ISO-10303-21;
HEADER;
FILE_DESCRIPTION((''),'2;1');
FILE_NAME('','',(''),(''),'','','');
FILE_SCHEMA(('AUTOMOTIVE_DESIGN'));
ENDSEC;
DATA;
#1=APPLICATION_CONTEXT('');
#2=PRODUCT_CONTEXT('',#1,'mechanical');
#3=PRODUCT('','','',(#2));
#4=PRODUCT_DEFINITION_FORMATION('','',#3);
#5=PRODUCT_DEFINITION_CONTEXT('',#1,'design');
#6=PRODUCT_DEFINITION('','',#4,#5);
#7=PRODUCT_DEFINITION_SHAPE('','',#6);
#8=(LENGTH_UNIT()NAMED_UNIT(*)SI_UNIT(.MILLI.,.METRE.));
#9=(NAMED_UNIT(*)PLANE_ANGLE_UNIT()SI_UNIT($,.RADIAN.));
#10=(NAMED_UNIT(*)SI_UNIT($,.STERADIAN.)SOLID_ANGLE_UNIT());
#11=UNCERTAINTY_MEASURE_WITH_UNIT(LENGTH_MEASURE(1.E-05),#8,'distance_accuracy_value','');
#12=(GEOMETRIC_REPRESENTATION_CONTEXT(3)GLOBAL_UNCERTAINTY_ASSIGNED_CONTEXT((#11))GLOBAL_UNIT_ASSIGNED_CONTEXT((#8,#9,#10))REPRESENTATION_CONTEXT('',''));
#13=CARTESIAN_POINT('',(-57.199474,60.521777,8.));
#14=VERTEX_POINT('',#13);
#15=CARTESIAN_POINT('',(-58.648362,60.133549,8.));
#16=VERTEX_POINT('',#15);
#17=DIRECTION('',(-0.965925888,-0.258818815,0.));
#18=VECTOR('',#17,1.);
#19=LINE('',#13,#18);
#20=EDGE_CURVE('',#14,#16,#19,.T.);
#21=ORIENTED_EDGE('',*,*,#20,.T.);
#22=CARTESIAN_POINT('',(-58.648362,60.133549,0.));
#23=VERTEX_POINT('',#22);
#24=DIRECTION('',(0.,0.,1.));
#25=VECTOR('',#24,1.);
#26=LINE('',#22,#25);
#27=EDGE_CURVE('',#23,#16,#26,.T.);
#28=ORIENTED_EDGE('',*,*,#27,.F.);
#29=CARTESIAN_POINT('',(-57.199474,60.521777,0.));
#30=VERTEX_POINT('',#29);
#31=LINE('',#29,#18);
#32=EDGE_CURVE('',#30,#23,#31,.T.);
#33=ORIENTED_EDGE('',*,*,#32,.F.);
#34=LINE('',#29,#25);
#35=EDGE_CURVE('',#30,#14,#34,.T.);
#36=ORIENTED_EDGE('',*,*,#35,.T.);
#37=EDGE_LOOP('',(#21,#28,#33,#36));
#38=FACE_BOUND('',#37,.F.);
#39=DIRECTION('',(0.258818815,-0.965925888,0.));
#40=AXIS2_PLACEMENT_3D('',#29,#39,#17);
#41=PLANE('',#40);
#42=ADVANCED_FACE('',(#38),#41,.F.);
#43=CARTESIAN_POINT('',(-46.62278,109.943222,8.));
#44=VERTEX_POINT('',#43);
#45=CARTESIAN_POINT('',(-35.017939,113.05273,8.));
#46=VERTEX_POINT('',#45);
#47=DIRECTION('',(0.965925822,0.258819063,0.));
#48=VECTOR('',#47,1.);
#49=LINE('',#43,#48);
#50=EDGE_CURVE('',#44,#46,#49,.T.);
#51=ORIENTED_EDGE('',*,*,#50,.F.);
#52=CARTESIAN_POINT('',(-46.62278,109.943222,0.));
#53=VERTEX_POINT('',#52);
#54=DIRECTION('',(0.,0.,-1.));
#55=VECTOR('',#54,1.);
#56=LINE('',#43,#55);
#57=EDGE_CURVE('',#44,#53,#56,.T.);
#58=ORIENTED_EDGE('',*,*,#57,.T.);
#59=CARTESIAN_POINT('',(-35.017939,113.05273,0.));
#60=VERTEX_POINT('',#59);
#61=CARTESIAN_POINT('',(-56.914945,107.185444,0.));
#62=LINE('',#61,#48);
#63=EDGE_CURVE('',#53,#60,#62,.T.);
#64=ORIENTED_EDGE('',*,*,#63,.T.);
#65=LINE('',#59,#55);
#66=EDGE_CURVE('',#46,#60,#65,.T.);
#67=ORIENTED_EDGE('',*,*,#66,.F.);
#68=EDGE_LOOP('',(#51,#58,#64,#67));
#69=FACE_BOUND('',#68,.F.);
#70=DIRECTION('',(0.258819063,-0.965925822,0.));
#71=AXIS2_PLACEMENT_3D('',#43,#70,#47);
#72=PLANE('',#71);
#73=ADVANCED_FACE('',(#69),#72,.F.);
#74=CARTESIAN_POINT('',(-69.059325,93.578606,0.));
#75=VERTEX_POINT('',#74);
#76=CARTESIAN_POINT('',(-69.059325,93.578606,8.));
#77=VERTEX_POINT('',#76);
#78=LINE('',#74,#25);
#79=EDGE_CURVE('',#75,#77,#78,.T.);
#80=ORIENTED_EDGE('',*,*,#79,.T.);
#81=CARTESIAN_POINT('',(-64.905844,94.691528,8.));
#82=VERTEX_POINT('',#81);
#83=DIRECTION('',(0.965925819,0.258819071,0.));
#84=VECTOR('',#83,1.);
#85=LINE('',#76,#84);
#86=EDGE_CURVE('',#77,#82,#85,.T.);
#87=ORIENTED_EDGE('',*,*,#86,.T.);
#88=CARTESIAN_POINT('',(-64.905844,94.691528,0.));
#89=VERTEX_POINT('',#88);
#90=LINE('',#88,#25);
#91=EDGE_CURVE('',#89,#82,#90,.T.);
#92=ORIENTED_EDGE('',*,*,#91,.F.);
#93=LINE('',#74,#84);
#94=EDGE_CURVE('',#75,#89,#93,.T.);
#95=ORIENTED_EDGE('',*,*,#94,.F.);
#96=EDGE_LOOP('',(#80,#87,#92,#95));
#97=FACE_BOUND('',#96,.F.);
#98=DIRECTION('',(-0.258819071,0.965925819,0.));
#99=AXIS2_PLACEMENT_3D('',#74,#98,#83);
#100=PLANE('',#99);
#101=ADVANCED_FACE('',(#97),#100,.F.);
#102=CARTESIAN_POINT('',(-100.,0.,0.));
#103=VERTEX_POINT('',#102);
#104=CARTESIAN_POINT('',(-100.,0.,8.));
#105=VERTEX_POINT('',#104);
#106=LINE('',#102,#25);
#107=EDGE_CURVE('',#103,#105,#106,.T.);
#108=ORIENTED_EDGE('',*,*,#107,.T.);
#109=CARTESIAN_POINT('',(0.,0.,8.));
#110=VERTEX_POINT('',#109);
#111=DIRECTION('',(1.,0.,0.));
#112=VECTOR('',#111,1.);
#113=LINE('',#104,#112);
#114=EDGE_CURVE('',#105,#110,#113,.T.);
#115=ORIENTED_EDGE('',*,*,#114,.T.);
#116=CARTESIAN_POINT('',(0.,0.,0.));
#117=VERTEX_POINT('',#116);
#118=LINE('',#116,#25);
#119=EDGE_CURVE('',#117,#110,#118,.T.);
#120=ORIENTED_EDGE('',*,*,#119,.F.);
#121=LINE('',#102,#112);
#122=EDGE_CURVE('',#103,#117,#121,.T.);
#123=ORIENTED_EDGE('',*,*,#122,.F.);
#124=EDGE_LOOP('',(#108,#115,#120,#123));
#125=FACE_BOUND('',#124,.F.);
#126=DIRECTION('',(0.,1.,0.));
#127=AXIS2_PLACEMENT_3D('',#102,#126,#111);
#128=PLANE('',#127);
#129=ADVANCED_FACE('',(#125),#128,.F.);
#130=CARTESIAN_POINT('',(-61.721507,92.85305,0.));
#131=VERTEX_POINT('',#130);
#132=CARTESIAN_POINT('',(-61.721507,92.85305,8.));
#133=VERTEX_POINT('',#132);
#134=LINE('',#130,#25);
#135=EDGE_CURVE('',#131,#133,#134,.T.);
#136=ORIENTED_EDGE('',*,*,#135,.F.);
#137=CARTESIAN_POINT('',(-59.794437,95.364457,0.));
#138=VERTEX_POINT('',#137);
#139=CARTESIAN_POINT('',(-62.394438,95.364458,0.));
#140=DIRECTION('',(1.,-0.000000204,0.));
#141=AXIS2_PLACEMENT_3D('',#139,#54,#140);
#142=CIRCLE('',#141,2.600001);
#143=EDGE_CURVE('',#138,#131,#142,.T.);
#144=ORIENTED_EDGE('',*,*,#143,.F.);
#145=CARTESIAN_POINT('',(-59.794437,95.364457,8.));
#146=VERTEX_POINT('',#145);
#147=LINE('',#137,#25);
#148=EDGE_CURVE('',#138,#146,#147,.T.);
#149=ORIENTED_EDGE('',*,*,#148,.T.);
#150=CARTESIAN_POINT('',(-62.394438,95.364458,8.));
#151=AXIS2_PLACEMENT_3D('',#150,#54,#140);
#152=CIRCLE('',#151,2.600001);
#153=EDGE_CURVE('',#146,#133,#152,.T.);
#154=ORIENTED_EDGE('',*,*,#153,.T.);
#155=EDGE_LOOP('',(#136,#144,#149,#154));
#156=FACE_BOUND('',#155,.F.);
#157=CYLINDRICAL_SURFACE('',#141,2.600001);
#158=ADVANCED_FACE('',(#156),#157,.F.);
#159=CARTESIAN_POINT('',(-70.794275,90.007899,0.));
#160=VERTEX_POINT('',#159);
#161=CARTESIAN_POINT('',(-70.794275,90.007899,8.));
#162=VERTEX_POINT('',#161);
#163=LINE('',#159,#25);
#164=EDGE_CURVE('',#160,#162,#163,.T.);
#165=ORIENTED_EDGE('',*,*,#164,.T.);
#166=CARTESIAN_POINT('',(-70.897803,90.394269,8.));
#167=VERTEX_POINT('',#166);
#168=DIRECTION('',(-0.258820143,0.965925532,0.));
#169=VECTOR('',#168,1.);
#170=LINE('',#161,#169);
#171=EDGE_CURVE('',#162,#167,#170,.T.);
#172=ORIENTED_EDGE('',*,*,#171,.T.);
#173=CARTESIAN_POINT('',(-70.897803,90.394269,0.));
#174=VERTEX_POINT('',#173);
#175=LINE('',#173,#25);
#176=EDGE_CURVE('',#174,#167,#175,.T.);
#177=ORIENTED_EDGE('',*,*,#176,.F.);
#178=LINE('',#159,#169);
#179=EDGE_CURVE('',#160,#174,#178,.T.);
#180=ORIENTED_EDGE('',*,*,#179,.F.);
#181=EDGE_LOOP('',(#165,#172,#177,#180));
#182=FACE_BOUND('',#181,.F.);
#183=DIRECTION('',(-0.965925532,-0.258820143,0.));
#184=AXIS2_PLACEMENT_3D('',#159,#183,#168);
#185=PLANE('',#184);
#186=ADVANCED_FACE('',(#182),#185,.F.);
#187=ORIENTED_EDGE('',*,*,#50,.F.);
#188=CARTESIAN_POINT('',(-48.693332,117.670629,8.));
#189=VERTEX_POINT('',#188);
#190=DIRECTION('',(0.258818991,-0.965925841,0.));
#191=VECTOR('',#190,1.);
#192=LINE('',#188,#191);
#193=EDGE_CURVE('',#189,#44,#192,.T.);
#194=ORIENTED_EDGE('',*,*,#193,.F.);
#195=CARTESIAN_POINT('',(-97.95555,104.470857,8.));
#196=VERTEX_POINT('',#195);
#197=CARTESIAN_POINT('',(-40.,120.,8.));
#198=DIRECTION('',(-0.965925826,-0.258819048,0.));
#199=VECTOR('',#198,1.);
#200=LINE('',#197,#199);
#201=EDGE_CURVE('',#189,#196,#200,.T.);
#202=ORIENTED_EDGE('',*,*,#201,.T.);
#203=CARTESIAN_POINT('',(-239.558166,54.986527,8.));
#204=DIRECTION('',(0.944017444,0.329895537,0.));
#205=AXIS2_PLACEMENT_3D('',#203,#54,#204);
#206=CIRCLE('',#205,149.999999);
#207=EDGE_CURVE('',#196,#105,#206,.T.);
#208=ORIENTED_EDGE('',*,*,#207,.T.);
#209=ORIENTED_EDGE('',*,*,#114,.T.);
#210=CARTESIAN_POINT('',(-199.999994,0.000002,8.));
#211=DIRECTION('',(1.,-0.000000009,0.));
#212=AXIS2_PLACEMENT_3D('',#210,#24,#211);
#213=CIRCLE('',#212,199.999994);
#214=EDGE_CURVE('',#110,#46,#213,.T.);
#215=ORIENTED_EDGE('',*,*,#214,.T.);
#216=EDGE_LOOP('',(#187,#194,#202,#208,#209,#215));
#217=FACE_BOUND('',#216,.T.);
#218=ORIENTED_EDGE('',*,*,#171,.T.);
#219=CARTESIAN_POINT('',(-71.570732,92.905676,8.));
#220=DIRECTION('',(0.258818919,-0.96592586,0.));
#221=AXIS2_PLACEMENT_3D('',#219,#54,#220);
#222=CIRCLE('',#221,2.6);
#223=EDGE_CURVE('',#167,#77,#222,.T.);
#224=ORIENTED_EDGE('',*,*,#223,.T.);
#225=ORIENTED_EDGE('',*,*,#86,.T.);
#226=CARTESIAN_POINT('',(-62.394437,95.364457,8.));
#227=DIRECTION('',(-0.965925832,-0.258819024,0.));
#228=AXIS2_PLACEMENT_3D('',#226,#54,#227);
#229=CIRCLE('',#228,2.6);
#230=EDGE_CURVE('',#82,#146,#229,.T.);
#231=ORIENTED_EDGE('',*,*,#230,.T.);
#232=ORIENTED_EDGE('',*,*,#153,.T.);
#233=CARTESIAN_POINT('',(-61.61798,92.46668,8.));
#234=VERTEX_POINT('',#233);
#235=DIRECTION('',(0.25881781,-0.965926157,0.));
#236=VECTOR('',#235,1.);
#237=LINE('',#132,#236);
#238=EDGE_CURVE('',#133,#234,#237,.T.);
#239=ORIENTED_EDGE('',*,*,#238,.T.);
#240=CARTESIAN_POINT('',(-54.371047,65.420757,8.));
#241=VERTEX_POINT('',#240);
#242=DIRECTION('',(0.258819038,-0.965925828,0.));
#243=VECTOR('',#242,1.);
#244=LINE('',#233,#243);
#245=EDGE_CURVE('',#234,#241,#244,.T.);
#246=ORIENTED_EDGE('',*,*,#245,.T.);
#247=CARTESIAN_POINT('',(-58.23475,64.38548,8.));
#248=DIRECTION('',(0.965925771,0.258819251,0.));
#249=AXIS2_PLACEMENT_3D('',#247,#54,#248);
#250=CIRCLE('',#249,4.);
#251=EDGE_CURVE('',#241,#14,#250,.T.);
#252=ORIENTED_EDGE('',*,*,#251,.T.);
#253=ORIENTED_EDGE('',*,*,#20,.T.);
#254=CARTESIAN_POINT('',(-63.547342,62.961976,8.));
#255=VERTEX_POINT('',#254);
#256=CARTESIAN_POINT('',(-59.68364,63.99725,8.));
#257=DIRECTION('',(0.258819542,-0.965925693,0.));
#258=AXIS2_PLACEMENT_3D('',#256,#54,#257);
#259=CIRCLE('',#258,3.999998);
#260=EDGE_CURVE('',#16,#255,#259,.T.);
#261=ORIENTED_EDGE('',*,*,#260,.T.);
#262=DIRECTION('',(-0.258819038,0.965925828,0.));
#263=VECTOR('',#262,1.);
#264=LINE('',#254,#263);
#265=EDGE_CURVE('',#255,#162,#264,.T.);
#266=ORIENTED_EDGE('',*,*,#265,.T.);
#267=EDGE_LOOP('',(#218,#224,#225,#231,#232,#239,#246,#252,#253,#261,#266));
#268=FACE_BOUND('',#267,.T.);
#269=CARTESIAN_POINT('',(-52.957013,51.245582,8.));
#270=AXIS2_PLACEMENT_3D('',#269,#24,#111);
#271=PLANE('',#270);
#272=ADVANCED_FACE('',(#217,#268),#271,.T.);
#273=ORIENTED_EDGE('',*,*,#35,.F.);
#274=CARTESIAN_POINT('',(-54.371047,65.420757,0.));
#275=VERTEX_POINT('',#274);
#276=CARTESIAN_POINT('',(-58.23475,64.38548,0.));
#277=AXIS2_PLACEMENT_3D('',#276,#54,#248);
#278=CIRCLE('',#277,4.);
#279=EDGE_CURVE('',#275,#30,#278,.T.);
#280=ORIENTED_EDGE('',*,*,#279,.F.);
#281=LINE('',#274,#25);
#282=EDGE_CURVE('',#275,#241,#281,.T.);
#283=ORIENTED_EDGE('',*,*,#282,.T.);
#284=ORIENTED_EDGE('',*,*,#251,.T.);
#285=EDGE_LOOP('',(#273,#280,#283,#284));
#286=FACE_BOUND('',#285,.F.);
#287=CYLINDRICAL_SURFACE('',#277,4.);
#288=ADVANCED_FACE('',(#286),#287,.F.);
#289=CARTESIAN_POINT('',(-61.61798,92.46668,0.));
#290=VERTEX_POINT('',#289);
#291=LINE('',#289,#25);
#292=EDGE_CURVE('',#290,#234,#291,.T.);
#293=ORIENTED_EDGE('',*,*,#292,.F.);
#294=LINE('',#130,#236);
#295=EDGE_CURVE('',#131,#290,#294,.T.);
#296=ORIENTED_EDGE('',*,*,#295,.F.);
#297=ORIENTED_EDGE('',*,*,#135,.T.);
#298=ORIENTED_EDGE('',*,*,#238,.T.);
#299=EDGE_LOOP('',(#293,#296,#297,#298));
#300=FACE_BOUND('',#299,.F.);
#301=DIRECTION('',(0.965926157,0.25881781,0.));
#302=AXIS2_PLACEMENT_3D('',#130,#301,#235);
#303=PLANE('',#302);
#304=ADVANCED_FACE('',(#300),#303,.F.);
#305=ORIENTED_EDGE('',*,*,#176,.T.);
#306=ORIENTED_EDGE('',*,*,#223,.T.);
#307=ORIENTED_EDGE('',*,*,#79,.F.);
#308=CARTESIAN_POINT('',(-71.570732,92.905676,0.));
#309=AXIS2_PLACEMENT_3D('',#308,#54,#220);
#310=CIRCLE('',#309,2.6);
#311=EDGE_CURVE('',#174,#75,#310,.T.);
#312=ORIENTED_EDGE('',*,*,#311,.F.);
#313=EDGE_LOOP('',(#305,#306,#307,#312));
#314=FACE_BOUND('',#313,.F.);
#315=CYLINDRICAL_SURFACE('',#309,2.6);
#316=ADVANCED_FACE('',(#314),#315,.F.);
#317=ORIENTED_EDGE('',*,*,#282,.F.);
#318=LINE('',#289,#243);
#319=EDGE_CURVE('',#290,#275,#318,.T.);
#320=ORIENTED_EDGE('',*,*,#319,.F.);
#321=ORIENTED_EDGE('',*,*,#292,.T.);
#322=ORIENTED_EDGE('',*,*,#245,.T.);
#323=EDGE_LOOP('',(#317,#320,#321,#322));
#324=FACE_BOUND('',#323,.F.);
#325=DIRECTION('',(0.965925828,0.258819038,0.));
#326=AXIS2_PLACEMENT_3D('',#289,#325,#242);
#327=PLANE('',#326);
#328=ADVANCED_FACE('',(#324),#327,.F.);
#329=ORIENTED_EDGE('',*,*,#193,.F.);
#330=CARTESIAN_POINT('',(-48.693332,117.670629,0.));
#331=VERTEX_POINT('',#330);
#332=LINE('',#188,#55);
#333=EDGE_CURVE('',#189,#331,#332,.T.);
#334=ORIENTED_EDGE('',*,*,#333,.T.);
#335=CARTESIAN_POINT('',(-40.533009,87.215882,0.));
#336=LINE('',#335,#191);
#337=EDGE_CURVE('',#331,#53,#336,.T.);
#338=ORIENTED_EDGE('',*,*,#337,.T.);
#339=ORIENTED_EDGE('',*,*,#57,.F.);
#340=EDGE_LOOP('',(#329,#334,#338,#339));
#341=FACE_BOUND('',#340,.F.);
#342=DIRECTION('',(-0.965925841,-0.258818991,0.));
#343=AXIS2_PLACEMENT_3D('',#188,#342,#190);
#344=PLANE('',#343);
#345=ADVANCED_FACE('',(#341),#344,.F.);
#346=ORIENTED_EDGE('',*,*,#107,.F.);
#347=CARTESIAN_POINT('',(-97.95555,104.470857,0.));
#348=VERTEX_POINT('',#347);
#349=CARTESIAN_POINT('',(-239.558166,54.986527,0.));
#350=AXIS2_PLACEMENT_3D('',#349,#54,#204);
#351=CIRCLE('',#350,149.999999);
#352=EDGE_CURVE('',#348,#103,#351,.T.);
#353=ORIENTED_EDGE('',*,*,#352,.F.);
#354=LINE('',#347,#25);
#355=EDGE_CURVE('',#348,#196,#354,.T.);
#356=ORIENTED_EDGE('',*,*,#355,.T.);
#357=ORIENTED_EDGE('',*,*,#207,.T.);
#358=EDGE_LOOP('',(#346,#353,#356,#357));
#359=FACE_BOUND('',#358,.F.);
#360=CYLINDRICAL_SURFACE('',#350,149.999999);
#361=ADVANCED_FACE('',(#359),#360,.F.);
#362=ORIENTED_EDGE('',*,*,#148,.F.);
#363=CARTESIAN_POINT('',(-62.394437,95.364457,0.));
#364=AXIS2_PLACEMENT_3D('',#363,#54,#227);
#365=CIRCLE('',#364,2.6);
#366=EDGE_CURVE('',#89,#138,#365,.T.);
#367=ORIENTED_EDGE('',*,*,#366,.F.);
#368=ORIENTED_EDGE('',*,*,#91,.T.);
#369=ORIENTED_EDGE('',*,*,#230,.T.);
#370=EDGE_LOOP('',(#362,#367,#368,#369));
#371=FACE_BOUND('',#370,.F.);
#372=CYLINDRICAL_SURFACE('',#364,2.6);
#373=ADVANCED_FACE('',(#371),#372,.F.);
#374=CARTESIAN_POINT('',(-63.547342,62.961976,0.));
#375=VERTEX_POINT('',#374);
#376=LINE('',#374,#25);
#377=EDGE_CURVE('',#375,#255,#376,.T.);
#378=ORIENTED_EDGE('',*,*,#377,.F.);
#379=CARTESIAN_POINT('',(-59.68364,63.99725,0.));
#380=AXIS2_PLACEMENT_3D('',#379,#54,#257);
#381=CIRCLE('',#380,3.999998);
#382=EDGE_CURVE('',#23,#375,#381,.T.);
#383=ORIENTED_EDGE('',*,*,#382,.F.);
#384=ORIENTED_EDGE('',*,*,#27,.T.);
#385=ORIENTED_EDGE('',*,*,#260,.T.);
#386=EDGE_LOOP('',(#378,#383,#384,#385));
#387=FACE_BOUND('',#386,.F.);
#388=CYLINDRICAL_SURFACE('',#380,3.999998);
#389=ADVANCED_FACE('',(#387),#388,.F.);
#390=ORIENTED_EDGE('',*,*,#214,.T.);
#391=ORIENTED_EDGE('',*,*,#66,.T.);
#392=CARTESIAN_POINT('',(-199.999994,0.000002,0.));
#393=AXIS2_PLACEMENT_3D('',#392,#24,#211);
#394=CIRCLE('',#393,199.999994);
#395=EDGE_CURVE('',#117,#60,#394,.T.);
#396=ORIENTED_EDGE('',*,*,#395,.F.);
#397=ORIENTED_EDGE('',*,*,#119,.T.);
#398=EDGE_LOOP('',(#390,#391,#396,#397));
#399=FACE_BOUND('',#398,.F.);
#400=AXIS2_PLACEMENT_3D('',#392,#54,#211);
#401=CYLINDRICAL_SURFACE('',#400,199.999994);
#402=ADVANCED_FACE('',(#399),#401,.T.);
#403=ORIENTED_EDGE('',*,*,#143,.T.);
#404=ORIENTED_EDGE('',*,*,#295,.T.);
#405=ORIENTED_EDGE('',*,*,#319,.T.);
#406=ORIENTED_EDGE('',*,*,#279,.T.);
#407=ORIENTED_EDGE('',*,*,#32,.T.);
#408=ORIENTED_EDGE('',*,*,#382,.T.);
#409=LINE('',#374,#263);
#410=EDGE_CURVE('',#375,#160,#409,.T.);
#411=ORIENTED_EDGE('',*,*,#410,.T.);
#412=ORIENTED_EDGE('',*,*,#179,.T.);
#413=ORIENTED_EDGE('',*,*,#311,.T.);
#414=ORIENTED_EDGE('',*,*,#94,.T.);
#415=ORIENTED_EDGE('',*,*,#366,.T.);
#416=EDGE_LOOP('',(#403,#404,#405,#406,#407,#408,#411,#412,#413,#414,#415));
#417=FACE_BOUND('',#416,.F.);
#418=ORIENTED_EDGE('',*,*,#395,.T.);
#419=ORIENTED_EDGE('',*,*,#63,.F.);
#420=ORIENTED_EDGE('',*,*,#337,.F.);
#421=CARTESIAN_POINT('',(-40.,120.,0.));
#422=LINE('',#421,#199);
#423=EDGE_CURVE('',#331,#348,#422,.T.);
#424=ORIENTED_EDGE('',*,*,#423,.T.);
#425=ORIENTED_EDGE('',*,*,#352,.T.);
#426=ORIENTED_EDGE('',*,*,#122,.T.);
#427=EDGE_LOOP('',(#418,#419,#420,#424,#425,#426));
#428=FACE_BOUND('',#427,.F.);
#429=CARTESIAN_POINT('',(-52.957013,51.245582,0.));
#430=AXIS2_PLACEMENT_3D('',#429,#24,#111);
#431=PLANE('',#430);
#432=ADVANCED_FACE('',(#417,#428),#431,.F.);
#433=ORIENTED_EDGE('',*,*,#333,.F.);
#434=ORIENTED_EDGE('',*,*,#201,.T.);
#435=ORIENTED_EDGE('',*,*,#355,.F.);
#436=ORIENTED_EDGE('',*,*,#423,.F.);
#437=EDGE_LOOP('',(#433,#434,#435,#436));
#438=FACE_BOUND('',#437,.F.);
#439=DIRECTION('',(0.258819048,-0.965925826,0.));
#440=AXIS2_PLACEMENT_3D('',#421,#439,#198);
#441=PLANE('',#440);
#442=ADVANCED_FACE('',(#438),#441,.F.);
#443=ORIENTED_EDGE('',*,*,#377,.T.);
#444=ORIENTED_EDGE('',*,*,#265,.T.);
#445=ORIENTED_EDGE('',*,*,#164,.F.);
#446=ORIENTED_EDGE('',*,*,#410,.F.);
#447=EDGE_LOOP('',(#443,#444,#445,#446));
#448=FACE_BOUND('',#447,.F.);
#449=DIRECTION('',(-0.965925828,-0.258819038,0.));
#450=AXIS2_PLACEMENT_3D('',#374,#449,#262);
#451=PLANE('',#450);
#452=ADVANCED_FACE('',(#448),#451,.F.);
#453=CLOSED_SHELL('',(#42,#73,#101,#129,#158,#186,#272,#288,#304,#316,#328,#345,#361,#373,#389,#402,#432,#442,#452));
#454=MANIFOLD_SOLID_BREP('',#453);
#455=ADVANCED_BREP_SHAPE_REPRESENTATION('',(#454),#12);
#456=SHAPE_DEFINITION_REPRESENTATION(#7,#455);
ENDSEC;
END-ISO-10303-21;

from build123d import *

# Parameters (mm, degrees)
F1_DEPTH = 8
F3_DEPTH = 8.001


with BuildPart() as f1:
    # F0 (on Top) → F1 (new body)
    with BuildSketch(Plane.XY):
        with BuildLine():
            Line((-100, 0), (0, 0))
            ThreePointArc((0, 0), (-10.26334, 63.245553), (-40, 120))
            Line((-40, 120), (-97.95555, 104.470857))
            ThreePointArc((-97.95555, 104.470857), (-89.586881, 52.051653), (-100, 0))
        make_face()
        with BuildLine():
            Line((-57.199474, 60.521777), (-58.648362, 60.133549))
            ThreePointArc((-58.648362, 60.133549), (-61.683639, 60.53315), (-63.547342, 62.961976))
            Line((-63.547342, 62.961976), (-70.794275, 90.007899))
            Line((-70.794275, 90.007899), (-70.897803, 90.394269))
            ThreePointArc((-70.897803, 90.394269), (-73.822398, 94.205677), (-69.059325, 93.578606))
            Line((-69.059325, 93.578606), (-64.905844, 94.691528))
            ThreePointArc((-64.905844, 94.691528), (-62.733805, 97.942214), (-59.794437, 95.364457))
            ThreePointArc((-59.794437, 95.364457), (-60.331718, 93.781678), (-61.721507, 92.85305))
            Line((-61.721507, 92.85305), (-61.61798, 92.46668))
            Line((-61.61798, 92.46668), (-54.371047, 65.420757))
            ThreePointArc((-54.371047, 65.420757), (-54.770648, 62.385481), (-57.199474, 60.521777))
        make_face(mode=Mode.SUBTRACT)
    extrude(amount=F1_DEPTH)

    # F2 (on face) → F3 (cut, through all)
    with BuildSketch(Plane.XY.offset(8)):
        with BuildLine():
            Line((-48.693332, 117.670629), (-46.62278, 109.943222))
            Line((-46.62278, 109.943222), (-35.017939, 113.05273))
            ThreePointArc((-35.017939, 113.05273), (-37.471845, 116.552988), (-40, 120))
            Line((-40, 120), (-48.693332, 117.670629))
        make_face()
    extrude(amount=-F3_DEPTH, mode=Mode.SUBTRACT)


solid = f1.part
